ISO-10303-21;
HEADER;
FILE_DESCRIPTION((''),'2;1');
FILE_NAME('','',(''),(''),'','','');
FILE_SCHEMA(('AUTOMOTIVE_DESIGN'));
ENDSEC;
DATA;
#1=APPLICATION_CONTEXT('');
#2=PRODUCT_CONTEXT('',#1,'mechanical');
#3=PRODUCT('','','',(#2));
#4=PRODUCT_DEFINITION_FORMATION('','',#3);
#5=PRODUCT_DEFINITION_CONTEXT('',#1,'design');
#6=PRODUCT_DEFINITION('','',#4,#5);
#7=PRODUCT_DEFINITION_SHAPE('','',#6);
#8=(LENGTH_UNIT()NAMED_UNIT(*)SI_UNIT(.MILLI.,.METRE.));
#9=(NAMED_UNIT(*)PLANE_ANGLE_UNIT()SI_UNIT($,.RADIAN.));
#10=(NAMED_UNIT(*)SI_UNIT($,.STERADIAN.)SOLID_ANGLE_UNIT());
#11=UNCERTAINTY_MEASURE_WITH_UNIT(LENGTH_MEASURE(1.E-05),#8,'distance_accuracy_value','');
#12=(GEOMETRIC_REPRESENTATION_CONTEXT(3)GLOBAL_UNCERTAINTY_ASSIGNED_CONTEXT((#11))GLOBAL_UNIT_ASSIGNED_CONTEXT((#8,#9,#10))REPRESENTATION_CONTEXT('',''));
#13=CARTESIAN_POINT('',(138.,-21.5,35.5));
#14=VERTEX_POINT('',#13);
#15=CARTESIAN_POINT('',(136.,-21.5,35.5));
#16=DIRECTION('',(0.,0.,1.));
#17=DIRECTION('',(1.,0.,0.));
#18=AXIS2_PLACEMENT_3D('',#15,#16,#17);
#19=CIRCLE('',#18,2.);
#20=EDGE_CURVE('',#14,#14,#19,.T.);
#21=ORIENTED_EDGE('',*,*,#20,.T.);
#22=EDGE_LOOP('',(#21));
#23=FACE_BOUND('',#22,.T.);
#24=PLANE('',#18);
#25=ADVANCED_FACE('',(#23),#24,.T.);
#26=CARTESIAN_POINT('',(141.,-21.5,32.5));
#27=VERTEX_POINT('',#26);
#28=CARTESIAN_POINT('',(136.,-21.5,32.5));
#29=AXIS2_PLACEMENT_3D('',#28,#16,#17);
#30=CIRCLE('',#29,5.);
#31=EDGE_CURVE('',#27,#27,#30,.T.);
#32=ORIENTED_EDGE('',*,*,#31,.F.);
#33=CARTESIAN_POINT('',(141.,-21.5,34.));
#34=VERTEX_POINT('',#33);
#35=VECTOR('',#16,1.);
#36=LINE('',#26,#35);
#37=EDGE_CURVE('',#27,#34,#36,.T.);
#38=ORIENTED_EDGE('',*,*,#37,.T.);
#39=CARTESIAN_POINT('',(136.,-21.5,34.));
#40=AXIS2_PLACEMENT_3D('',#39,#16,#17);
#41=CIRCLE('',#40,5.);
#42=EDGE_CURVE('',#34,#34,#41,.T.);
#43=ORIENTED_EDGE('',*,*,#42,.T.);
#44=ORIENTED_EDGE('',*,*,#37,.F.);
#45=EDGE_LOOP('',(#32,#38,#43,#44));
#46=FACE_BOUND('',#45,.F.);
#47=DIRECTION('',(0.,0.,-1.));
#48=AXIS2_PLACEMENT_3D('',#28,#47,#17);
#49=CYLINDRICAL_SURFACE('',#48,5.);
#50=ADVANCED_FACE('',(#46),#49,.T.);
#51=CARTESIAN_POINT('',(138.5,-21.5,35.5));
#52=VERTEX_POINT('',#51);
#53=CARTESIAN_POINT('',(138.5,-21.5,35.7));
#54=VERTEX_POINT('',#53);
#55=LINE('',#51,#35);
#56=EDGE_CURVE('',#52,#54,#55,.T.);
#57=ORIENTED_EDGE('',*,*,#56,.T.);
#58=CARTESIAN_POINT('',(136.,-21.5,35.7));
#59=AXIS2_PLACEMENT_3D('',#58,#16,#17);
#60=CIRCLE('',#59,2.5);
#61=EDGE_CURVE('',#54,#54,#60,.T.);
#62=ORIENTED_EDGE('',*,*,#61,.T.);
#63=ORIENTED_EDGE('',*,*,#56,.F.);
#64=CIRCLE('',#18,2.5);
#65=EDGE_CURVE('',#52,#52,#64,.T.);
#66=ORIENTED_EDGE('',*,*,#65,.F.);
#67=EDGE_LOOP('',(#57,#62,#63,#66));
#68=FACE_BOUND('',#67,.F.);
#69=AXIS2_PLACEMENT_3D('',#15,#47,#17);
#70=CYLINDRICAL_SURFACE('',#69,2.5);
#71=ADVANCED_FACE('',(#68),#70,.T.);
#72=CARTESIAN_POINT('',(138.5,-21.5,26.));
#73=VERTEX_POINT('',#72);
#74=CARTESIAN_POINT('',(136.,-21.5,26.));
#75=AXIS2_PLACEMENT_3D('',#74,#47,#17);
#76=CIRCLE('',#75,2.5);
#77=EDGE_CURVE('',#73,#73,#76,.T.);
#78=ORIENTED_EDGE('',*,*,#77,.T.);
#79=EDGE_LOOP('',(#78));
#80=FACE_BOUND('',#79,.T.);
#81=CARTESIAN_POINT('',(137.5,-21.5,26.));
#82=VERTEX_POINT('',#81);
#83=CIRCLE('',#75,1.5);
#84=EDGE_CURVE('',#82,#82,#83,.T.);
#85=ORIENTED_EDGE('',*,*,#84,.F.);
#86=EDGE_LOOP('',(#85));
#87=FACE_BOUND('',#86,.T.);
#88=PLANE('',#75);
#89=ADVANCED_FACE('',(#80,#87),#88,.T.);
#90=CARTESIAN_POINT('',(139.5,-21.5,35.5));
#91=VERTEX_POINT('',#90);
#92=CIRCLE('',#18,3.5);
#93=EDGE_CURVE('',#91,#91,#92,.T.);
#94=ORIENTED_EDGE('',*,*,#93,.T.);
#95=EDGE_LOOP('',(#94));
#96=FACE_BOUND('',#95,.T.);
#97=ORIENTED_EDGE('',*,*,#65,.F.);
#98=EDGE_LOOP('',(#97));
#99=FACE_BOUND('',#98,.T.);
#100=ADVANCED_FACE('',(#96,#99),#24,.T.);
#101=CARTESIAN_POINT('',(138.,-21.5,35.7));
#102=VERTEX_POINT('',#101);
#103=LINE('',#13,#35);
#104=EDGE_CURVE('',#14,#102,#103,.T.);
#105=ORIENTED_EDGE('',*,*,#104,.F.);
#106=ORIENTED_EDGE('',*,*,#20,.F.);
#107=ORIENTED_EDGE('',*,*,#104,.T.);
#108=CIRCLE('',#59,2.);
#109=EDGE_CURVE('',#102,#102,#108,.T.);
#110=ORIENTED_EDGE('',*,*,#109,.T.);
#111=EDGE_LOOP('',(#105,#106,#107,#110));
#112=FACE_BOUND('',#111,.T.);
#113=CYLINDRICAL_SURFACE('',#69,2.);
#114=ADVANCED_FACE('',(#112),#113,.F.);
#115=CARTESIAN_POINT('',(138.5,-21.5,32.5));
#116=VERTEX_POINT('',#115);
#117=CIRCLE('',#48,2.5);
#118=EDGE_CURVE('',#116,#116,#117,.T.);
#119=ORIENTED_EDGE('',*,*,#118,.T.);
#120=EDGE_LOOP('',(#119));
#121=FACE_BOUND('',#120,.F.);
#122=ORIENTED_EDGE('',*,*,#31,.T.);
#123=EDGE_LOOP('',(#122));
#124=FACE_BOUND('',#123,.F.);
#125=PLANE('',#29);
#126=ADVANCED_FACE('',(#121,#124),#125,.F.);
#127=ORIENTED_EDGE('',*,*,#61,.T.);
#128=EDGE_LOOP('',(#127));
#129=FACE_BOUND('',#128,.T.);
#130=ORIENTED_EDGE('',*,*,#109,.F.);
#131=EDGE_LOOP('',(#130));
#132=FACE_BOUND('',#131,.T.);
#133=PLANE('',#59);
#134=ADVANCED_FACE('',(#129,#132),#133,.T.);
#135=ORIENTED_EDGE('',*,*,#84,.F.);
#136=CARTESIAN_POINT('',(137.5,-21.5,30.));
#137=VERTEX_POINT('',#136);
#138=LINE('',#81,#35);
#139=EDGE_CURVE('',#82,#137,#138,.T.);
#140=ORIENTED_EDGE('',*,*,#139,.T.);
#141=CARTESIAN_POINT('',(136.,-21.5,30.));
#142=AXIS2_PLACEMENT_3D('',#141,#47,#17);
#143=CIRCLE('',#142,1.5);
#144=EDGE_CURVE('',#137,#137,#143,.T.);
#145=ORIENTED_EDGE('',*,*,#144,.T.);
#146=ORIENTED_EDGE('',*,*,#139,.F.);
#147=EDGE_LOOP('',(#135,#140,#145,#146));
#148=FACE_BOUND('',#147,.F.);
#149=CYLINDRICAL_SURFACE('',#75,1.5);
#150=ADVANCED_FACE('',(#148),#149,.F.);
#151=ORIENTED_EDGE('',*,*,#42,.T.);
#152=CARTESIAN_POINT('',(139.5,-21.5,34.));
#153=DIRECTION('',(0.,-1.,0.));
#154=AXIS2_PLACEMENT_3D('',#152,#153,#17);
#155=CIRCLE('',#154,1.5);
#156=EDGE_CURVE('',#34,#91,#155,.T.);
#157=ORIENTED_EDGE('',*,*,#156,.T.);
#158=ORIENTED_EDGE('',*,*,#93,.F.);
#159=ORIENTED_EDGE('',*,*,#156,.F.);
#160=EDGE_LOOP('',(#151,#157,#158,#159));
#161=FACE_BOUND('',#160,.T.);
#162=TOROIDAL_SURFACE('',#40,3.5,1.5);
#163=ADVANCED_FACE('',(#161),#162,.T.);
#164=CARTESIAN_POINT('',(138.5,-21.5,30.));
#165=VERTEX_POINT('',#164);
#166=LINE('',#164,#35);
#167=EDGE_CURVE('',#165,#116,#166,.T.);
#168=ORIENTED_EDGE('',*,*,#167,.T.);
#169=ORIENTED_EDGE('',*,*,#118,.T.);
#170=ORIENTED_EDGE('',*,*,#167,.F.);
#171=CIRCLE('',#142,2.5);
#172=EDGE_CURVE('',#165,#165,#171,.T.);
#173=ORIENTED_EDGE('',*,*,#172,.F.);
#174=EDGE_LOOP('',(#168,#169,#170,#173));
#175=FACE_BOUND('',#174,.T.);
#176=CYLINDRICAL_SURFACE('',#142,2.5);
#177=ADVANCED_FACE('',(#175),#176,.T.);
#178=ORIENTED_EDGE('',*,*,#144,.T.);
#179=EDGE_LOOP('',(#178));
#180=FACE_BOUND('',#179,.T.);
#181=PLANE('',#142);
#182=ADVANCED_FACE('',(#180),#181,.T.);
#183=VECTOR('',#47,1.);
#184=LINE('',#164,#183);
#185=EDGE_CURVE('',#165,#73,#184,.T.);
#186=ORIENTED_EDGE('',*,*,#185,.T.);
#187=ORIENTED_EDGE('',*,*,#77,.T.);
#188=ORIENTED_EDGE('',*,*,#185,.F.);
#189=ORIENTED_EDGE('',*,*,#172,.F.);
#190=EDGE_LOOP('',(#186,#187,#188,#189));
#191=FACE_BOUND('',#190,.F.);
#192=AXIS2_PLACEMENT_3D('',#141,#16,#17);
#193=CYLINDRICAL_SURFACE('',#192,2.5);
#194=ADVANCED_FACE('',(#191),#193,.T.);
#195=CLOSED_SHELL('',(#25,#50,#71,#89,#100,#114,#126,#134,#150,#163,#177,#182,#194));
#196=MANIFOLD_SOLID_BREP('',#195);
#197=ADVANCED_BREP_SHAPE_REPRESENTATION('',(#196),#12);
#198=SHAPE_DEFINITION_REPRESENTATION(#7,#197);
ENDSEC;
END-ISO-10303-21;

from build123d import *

# Parameters (mm, degrees)
SKETCH046_R     = 2.5
PAD023_DEPTH    = 2.5
SKETCH047_R     = 5
PAD024_DEPTH    = 3
FILLET003_R     = 1.5
SKETCH049_R     = 2.5
PAD025_DEPTH    = 4
SKETCH050_R     = 1.5
POCKET026_DEPTH = 4
SKETCH092_R     = 2.5
SKETCH092_R_2   = 2
PAD058_DEPTH    = 0.2


with BuildPart() as part:
    # Sketch046 → Pad023 (new body)
    with BuildSketch(Plane(origin=(0, 0, 30), x_dir=(1, 0, 0), z_dir=(0, 0, -1))):
        with Locations((101, 55)):
            Circle(SKETCH046_R)
    extrude(amount=-PAD023_DEPTH)

    # Sketch047 (on Face3 of Pad023) → Pad024 (join)
    with BuildSketch(Plane.XY.offset(32.5)):
        with Locations((101, -55)):
            Circle(SKETCH047_R)
    extrude(amount=PAD024_DEPTH)

    # Fillet003
    fillet003_edges = [part.edges().sort_by_distance(p)[0] for p in [
        (96, -55, 35.5),
    ]]
    fillet(fillet003_edges, radius=FILLET003_R)

    # Sketch049 → Pad025 (join)
    with BuildSketch(Plane(origin=(0, 0, 30), x_dir=(1, 0, 0), z_dir=(0, 0, -1))):
        with Locations((101, 55)):
            Circle(SKETCH049_R)
    extrude(amount=PAD025_DEPTH)

    # Sketch050 (on Face17 of Pad025) → Pocket026 (cut)
    with BuildSketch(Plane(origin=(0, 0, 26), x_dir=(1, 0, 0), z_dir=(0, 0, -1))):
        with Locations((101, 55)):
            Circle(SKETCH050_R)
    extrude(amount=-POCKET026_DEPTH, mode=Mode.SUBTRACT)


with BuildPart() as part_1:
    # Body002 placement: moved
    add(part.part.moved(Location((75, 0, 0))))

    # Sketch092 (on Face4 of Clone006) → Pad058 (new body)
    with BuildSketch(Plane(origin=(75, 0, 35.5), x_dir=(1, 0, 0), z_dir=(0, 0, 1))):
        with Locations((101, -55)):
            Circle(SKETCH092_R)
        with Locations((101, -55)):
            Circle(SKETCH092_R_2, mode=Mode.SUBTRACT)
    extrude(amount=PAD058_DEPTH)


with BuildPart() as part_2:
    # Body015 placement: moved
    add(part_1.part.moved(Location((-40, 33.5, 0))))


solid = part_2.part
